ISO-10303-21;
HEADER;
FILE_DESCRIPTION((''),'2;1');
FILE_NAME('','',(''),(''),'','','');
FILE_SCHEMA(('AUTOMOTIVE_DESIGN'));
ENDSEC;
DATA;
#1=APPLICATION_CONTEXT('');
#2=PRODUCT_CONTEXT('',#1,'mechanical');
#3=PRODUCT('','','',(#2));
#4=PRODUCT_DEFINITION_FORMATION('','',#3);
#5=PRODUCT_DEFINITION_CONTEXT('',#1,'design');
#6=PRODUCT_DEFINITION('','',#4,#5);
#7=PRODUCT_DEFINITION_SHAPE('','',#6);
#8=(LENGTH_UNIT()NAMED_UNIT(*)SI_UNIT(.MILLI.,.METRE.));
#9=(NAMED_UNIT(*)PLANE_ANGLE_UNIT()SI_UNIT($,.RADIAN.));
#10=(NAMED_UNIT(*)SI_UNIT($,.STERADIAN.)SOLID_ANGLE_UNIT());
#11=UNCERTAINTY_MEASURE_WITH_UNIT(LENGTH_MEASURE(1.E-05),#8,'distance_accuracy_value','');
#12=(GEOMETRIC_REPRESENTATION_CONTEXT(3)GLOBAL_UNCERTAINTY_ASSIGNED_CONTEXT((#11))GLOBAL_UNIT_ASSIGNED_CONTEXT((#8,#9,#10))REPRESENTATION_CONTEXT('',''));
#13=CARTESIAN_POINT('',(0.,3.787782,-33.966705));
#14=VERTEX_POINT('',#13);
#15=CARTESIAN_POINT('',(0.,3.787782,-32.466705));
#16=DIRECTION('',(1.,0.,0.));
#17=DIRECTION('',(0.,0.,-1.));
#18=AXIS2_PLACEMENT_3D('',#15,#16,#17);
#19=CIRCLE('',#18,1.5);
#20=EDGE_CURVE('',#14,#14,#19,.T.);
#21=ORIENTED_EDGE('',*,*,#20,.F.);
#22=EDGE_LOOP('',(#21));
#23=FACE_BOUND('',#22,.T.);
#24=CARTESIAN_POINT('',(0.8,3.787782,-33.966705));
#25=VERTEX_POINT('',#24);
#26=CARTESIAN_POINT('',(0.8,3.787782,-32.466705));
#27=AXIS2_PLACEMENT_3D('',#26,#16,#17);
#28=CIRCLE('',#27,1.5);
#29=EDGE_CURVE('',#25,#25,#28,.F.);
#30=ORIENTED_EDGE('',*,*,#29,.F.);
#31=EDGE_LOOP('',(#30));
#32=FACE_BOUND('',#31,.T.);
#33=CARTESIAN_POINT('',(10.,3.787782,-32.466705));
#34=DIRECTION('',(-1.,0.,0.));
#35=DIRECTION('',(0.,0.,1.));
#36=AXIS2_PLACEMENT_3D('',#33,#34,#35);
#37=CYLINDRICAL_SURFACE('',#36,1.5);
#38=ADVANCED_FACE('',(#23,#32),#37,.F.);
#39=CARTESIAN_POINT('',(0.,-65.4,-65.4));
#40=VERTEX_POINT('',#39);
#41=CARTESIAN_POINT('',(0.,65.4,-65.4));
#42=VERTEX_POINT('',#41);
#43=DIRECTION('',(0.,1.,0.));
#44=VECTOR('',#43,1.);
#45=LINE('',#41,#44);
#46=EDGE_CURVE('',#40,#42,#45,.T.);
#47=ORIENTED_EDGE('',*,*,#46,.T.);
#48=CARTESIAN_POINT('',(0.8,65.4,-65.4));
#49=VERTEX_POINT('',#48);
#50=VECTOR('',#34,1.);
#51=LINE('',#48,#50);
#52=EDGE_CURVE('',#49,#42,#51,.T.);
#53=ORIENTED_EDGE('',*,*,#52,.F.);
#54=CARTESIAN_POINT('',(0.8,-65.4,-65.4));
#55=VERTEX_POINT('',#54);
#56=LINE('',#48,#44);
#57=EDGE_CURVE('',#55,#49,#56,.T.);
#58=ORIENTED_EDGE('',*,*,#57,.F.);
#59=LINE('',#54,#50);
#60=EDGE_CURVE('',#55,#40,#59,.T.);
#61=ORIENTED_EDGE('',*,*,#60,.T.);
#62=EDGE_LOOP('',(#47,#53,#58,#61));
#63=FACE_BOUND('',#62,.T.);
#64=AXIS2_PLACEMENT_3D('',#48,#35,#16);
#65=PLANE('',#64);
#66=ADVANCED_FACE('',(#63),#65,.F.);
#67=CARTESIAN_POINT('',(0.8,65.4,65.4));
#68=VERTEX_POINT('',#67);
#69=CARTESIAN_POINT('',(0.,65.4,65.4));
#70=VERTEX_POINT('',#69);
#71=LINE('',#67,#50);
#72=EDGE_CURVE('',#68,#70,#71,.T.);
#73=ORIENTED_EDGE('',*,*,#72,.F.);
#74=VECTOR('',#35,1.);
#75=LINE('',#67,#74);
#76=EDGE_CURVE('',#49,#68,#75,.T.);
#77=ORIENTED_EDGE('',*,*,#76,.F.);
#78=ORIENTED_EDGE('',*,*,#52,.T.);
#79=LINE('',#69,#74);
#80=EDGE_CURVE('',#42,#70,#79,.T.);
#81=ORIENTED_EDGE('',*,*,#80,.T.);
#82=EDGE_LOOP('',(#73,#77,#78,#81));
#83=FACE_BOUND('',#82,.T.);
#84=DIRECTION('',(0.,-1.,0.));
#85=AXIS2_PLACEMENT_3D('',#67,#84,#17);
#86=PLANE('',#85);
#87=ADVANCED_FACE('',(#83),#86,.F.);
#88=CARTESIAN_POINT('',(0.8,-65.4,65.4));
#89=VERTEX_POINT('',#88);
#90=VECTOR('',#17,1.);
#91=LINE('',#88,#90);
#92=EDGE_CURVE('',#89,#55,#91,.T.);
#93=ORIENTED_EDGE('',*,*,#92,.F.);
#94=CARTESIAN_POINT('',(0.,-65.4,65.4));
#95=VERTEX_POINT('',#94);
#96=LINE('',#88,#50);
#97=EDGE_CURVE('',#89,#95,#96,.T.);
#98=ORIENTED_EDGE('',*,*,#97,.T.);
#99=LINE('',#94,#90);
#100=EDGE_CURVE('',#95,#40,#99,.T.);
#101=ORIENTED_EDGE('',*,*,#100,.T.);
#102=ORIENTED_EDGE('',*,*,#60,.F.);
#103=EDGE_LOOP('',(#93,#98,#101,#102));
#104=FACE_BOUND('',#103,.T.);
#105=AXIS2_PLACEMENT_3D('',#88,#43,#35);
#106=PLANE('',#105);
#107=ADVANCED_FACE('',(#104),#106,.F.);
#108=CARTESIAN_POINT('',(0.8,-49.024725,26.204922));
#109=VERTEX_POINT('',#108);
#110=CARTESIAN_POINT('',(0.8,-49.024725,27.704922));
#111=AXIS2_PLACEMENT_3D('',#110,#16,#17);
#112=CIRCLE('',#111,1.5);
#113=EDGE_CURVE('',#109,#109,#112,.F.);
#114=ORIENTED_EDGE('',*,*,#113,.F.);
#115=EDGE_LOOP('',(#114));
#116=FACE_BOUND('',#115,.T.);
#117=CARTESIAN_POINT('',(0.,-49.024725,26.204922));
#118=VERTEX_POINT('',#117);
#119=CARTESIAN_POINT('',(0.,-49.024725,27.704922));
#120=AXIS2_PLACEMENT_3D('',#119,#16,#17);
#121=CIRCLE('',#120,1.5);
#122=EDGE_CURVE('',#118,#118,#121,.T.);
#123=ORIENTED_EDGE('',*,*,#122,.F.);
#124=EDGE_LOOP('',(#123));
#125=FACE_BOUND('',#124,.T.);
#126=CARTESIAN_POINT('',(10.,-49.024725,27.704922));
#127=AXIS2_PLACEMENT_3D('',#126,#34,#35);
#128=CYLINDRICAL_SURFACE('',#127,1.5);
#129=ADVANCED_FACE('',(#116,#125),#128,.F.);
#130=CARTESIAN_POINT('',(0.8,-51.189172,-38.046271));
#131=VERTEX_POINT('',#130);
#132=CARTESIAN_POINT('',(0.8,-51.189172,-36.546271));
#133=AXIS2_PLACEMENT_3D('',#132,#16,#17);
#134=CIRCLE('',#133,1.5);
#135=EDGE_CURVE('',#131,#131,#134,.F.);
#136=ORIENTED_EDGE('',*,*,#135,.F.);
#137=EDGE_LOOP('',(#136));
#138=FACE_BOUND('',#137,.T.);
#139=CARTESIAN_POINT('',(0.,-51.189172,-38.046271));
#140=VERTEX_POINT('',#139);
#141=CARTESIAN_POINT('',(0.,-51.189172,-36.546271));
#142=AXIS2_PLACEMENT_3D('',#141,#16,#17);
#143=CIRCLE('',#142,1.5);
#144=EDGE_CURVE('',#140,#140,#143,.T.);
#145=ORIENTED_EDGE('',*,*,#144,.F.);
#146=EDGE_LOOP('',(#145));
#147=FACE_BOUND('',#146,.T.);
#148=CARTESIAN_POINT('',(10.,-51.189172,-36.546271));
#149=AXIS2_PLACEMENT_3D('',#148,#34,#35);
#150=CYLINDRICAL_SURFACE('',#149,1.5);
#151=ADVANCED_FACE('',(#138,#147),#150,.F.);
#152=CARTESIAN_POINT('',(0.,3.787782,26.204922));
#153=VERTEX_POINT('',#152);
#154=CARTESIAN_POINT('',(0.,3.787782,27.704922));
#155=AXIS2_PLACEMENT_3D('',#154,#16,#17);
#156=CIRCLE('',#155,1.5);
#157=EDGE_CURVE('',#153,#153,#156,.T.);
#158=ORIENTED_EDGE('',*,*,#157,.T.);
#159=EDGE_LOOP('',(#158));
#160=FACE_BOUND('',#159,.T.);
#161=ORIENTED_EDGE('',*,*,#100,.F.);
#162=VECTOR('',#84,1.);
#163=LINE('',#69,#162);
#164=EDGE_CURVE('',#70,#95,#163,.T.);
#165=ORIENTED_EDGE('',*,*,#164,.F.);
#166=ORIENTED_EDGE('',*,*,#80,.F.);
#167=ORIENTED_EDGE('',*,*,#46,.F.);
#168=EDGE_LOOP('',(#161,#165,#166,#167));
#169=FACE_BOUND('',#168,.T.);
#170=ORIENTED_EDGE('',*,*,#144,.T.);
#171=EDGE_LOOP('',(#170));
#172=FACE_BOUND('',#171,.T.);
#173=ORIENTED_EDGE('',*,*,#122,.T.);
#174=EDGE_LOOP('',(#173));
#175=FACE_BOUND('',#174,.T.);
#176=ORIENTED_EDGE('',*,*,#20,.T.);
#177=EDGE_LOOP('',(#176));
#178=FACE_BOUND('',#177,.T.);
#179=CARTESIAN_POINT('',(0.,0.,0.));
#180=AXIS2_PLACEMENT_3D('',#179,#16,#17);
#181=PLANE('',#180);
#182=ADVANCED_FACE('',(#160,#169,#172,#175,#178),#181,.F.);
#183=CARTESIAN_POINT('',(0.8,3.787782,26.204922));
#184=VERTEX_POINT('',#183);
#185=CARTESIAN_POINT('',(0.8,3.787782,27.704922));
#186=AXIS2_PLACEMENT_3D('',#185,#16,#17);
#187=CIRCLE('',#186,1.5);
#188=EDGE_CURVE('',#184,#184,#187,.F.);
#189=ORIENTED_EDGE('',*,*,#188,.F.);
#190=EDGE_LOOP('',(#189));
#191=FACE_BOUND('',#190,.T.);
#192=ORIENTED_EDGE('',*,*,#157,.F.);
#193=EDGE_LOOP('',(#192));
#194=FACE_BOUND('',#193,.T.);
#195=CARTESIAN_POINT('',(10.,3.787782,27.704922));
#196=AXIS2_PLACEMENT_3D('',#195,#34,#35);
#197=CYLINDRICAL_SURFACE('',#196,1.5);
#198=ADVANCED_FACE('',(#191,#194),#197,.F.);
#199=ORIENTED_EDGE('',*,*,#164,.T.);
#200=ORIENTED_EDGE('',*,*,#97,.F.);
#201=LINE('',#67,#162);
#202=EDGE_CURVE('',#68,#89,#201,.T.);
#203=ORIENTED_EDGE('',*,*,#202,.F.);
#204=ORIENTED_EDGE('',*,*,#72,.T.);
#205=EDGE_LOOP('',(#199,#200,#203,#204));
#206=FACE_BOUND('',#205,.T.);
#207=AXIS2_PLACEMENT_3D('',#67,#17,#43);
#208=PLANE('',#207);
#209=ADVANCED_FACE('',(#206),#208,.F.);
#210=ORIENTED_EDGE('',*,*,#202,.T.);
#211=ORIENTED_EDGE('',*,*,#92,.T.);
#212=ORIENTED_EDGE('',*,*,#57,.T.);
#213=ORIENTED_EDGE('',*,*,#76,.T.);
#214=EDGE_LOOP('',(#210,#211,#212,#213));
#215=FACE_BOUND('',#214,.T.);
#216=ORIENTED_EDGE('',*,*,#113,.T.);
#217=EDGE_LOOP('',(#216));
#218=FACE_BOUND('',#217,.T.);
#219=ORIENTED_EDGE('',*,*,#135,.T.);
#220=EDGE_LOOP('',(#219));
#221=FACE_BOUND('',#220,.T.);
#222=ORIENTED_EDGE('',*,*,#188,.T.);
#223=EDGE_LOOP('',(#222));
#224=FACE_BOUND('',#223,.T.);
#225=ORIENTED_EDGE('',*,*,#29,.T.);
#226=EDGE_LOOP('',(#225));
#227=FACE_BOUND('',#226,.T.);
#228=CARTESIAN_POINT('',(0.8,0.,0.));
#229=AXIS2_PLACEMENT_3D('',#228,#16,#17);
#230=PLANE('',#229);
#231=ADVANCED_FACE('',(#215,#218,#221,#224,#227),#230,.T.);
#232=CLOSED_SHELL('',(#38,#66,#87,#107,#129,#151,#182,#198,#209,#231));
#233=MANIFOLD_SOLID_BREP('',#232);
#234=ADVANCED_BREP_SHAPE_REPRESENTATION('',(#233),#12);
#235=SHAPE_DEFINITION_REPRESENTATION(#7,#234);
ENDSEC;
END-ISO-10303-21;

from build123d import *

# Parameters (mm, degrees)
SKETCH2_W           = 130.8
SKETCH2_H           = 130.8
BOSS_EXTRUDE1_DEPTH = 0.8
SKETCH3_R           = 1.5
CUT_EXTRUDE1_DEPTH  = 10


with BuildPart() as part:
    # Sketch2 → Boss-Extrude1 (new body)
    with BuildSketch(Plane(origin=(0, 0, 0), x_dir=(0, 0, -1), z_dir=(1, 0, 0))):
        Rectangle(SKETCH2_W, SKETCH2_H)
    extrude(amount=BOSS_EXTRUDE1_DEPTH)

    # Sketch3 → Cut-Extrude1 (cut)
    with BuildSketch(Plane(origin=(0, 0, 0), x_dir=(0, 0, -1), z_dir=(1, 0, 0))):
        with Locations((-27.704921719, 3.787782266)):
            Circle(SKETCH3_R)
        with Locations((32.466705139, 3.787782266)):
            Circle(SKETCH3_R)
        with Locations((-27.704921719, -49.02472476)):
            Circle(SKETCH3_R)
        with Locations((36.54627149, -51.189171769)):
            Circle(SKETCH3_R)
    extrude(amount=CUT_EXTRUDE1_DEPTH, mode=Mode.SUBTRACT)


solid = part.part
